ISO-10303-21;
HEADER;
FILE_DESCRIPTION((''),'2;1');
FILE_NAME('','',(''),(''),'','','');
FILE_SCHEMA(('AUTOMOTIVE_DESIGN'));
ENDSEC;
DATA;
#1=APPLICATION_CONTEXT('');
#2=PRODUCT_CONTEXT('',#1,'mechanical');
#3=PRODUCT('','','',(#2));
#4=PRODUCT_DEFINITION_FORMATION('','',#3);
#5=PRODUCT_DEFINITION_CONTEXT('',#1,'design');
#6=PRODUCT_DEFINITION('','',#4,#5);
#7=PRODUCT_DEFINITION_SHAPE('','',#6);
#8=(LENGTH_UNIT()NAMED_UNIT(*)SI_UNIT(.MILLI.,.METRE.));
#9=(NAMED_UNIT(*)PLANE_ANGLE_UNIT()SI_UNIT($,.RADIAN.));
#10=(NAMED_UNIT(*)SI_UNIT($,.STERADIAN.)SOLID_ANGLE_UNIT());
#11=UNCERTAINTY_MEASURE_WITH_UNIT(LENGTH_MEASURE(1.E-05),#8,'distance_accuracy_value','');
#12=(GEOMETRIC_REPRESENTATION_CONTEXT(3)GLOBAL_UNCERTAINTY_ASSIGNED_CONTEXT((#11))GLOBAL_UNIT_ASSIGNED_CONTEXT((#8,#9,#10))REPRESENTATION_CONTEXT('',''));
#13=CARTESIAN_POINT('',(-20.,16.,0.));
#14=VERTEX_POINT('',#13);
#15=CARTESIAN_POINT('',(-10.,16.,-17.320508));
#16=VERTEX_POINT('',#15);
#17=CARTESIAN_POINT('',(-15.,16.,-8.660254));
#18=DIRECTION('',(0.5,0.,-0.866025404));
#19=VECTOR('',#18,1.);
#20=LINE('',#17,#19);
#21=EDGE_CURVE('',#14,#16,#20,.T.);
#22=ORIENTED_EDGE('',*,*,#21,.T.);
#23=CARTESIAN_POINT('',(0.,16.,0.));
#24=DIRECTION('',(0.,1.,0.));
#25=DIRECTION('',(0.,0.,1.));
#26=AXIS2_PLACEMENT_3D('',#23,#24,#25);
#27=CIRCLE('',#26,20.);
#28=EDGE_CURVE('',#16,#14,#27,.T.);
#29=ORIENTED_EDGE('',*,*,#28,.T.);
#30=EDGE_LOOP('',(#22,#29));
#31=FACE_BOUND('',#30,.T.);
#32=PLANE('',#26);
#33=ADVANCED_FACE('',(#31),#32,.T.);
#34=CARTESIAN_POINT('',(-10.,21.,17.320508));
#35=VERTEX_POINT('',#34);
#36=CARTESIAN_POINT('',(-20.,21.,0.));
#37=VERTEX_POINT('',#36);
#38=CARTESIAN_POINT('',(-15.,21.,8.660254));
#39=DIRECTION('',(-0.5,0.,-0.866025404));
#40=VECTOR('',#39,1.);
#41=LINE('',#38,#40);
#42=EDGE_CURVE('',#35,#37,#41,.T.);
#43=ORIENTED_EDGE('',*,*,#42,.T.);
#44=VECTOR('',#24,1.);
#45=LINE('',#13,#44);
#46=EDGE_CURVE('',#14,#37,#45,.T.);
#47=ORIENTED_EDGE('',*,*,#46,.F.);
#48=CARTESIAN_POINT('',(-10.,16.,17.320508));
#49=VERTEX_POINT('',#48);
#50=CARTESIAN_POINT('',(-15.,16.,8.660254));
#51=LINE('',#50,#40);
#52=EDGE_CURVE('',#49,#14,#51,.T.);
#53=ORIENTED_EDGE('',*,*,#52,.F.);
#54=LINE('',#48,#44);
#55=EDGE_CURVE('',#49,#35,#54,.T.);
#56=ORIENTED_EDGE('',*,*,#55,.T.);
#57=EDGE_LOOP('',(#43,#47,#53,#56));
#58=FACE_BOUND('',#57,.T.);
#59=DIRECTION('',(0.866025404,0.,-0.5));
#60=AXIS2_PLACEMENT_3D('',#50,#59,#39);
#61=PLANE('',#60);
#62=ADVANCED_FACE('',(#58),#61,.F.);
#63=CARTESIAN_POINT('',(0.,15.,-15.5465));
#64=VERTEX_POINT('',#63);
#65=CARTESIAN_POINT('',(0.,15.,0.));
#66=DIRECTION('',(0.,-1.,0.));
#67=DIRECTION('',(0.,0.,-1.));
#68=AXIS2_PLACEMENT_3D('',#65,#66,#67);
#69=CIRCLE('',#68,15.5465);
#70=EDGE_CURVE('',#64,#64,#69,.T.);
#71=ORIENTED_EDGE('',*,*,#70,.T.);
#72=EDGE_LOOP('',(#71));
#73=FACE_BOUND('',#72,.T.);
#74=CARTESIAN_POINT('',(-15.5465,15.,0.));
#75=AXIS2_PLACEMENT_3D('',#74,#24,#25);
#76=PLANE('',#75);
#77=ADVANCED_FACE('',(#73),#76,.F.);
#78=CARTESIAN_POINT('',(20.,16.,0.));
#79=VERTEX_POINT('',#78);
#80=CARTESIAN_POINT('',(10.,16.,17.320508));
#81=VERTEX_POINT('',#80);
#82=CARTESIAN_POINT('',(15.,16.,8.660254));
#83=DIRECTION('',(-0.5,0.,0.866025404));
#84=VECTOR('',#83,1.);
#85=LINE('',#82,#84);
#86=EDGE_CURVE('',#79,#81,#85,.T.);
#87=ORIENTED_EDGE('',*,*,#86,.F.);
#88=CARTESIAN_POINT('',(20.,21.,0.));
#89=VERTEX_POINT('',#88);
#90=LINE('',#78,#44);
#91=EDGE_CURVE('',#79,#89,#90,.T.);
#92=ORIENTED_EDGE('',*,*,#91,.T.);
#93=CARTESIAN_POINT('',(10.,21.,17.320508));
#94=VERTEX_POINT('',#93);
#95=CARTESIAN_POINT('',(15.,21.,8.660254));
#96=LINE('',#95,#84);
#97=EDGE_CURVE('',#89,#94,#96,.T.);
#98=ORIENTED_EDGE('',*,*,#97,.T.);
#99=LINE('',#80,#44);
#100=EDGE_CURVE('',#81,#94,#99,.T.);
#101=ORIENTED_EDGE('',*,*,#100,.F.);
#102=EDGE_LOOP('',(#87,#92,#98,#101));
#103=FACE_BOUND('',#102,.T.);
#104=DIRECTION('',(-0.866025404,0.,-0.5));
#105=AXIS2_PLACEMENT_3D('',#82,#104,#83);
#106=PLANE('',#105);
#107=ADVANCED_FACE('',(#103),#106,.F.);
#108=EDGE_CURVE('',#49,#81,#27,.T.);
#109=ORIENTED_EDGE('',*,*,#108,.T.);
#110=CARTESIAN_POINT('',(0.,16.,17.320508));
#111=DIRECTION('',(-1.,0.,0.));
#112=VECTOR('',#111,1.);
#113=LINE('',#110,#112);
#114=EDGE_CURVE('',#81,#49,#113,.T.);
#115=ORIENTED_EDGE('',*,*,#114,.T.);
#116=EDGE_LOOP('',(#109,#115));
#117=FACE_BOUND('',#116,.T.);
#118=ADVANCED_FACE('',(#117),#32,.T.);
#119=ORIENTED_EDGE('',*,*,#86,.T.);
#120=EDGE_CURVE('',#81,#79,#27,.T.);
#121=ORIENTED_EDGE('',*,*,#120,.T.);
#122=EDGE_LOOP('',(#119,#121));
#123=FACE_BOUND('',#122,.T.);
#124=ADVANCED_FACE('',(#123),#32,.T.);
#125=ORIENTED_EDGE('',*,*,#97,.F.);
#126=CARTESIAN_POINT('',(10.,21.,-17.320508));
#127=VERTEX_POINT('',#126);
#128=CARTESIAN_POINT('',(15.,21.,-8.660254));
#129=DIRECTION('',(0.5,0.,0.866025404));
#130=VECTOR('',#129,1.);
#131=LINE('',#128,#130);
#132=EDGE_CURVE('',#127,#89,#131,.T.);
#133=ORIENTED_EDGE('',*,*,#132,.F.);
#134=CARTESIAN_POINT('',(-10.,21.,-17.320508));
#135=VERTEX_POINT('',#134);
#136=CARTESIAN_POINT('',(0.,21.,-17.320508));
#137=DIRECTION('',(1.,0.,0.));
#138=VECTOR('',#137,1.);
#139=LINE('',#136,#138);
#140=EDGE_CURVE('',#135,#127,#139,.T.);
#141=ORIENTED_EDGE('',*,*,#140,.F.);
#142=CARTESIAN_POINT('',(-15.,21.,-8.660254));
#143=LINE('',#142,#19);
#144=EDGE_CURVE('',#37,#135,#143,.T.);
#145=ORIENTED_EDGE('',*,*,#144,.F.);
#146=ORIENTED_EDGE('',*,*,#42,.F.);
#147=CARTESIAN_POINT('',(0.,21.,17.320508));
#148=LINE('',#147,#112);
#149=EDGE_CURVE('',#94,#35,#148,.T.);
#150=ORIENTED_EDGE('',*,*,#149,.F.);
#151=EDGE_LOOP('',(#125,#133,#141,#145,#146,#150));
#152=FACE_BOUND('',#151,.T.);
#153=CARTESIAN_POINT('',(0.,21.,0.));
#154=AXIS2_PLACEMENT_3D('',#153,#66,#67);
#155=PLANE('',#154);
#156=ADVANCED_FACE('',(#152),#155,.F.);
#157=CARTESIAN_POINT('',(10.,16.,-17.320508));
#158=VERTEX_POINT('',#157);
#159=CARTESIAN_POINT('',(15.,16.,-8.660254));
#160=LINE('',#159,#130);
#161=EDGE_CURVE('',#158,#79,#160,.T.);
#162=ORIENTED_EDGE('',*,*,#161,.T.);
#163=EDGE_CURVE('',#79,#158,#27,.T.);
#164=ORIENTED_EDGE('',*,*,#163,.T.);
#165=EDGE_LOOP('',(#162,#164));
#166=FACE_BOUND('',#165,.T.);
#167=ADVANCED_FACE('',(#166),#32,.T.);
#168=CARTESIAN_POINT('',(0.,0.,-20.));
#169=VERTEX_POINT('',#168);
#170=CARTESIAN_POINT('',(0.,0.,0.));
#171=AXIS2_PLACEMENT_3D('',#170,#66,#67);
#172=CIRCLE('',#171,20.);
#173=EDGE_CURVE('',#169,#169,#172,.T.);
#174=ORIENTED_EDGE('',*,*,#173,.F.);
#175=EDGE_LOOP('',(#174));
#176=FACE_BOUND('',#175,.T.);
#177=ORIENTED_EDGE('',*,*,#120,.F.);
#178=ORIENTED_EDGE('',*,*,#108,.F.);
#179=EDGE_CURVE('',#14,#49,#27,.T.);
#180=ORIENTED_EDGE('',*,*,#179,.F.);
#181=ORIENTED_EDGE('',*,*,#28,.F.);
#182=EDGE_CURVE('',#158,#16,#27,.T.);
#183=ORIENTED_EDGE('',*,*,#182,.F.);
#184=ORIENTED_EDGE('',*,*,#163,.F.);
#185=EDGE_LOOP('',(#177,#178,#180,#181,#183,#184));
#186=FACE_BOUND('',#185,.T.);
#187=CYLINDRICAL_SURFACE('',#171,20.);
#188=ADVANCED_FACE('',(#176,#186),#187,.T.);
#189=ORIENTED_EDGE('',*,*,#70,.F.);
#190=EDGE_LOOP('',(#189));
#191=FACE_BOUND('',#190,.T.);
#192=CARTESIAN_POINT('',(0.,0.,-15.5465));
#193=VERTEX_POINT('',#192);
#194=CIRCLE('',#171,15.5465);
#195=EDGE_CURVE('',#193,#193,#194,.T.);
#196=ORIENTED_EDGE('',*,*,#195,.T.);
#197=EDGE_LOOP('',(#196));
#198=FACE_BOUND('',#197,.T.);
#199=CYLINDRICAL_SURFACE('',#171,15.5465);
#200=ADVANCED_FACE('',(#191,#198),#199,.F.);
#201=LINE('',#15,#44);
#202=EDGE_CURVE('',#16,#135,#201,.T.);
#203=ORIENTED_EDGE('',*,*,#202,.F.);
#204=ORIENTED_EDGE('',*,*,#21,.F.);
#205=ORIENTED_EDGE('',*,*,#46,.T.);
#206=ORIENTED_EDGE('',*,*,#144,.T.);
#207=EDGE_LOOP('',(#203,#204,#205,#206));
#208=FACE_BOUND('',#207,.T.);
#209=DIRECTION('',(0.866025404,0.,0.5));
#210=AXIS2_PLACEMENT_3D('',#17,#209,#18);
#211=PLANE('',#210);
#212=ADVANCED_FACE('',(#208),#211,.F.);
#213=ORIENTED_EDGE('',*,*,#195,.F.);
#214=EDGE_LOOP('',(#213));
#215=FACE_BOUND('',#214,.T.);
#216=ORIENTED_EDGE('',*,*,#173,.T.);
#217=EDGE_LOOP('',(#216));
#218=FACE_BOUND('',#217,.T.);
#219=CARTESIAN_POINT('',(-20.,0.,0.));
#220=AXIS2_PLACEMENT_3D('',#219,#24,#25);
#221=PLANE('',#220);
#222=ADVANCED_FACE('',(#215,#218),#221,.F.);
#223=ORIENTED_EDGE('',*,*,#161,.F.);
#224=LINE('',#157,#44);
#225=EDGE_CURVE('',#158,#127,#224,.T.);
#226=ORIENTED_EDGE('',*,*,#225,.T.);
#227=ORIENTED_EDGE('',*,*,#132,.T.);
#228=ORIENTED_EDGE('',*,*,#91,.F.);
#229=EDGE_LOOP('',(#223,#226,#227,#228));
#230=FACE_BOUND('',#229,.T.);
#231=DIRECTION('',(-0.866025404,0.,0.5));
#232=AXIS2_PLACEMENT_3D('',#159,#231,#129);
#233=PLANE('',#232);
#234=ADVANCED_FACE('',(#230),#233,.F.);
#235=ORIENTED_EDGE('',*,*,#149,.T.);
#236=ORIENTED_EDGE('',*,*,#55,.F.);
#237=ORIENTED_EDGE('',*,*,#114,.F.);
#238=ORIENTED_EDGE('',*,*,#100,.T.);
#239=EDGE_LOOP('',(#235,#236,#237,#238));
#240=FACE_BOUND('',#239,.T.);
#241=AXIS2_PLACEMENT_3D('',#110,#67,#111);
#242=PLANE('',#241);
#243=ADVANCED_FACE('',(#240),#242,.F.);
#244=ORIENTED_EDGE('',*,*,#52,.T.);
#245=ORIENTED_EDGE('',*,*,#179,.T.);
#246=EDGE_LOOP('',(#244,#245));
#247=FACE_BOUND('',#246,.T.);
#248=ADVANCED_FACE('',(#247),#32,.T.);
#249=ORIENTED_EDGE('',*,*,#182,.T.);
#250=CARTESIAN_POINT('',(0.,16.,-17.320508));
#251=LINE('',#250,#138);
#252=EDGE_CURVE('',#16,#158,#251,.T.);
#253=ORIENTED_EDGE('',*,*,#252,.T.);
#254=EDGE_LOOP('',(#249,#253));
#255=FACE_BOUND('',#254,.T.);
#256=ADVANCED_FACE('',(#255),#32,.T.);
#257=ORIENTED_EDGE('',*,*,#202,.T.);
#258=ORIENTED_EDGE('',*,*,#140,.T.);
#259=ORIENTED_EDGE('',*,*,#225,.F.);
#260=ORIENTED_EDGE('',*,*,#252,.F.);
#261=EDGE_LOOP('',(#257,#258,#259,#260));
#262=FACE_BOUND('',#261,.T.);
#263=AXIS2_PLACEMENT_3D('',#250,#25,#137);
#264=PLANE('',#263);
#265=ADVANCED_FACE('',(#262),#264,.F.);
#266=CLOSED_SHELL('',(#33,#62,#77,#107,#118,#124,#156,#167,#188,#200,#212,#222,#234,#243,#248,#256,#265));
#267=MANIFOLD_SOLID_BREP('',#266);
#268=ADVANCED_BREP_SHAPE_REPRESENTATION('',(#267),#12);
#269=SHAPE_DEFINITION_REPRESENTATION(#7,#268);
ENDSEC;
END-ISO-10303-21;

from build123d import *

# Parameters (mm, degrees)
TAGLIO_ESTRUSIONE1_START = -5
TAGLIO_ESTRUSIONE1_DEPTH = 5


with BuildPart() as part:
    # Schizzo1 → Rivoluzione1 (revolve)
    with BuildSketch(Plane.XY, mode=Mode.PRIVATE) as rivoluzione1_sk:
        Polygon((-15.5465, 0), (-15.5465, 15), (0, 15), (0, 21), (-20, 21), (-20, 0), align=None)
    revolve(rivoluzione1_sk.sketch.rotate(Axis((0, 0, 0), (0, 1, 0)), 270), axis=Axis((0, 0, 0), (0, 1, 0)))

    # Schizzo2 → Taglio-Estrusione1 (cut)
    with BuildSketch(Plane(origin=(0, 21, 0), x_dir=(1, 0, 0), z_dir=(0, 1, 0)).offset(TAGLIO_ESTRUSIONE1_START)):
        with BuildLine():
            Line((-20, 0), (-10, 17.320508076))
            ThreePointArc((-10, 17.320508076), (-17.320508076, 10), (-20, 0))
        make_face()
        with BuildLine():
            Line((-10, -17.320508076), (-20, 0))
            ThreePointArc((-20, 0), (-17.320508076, -10), (-10, -17.320508076))
        make_face()
        with BuildLine():
            Line((10, -17.320508076), (-10, -17.320508076))
            ThreePointArc((-10, -17.320508076), (0, -20), (10, -17.320508076))
        make_face()
        with BuildLine():
            ThreePointArc((10, -17.320508076), (17.320508076, -10), (20, 0))
            Line((20, 0), (10, -17.320508076))
        make_face()
        with BuildLine():
            ThreePointArc((20, 0), (17.320508076, 10), (10, 17.320508076))
            Line((10, 17.320508076), (20, 0))
        make_face()
        with BuildLine():
            ThreePointArc((10, 17.320508076), (0, 20), (-10, 17.320508076))
            Line((-10, 17.320508076), (10, 17.320508076))
        make_face()
    extrude(amount=TAGLIO_ESTRUSIONE1_DEPTH, mode=Mode.SUBTRACT)


solid = part.part
